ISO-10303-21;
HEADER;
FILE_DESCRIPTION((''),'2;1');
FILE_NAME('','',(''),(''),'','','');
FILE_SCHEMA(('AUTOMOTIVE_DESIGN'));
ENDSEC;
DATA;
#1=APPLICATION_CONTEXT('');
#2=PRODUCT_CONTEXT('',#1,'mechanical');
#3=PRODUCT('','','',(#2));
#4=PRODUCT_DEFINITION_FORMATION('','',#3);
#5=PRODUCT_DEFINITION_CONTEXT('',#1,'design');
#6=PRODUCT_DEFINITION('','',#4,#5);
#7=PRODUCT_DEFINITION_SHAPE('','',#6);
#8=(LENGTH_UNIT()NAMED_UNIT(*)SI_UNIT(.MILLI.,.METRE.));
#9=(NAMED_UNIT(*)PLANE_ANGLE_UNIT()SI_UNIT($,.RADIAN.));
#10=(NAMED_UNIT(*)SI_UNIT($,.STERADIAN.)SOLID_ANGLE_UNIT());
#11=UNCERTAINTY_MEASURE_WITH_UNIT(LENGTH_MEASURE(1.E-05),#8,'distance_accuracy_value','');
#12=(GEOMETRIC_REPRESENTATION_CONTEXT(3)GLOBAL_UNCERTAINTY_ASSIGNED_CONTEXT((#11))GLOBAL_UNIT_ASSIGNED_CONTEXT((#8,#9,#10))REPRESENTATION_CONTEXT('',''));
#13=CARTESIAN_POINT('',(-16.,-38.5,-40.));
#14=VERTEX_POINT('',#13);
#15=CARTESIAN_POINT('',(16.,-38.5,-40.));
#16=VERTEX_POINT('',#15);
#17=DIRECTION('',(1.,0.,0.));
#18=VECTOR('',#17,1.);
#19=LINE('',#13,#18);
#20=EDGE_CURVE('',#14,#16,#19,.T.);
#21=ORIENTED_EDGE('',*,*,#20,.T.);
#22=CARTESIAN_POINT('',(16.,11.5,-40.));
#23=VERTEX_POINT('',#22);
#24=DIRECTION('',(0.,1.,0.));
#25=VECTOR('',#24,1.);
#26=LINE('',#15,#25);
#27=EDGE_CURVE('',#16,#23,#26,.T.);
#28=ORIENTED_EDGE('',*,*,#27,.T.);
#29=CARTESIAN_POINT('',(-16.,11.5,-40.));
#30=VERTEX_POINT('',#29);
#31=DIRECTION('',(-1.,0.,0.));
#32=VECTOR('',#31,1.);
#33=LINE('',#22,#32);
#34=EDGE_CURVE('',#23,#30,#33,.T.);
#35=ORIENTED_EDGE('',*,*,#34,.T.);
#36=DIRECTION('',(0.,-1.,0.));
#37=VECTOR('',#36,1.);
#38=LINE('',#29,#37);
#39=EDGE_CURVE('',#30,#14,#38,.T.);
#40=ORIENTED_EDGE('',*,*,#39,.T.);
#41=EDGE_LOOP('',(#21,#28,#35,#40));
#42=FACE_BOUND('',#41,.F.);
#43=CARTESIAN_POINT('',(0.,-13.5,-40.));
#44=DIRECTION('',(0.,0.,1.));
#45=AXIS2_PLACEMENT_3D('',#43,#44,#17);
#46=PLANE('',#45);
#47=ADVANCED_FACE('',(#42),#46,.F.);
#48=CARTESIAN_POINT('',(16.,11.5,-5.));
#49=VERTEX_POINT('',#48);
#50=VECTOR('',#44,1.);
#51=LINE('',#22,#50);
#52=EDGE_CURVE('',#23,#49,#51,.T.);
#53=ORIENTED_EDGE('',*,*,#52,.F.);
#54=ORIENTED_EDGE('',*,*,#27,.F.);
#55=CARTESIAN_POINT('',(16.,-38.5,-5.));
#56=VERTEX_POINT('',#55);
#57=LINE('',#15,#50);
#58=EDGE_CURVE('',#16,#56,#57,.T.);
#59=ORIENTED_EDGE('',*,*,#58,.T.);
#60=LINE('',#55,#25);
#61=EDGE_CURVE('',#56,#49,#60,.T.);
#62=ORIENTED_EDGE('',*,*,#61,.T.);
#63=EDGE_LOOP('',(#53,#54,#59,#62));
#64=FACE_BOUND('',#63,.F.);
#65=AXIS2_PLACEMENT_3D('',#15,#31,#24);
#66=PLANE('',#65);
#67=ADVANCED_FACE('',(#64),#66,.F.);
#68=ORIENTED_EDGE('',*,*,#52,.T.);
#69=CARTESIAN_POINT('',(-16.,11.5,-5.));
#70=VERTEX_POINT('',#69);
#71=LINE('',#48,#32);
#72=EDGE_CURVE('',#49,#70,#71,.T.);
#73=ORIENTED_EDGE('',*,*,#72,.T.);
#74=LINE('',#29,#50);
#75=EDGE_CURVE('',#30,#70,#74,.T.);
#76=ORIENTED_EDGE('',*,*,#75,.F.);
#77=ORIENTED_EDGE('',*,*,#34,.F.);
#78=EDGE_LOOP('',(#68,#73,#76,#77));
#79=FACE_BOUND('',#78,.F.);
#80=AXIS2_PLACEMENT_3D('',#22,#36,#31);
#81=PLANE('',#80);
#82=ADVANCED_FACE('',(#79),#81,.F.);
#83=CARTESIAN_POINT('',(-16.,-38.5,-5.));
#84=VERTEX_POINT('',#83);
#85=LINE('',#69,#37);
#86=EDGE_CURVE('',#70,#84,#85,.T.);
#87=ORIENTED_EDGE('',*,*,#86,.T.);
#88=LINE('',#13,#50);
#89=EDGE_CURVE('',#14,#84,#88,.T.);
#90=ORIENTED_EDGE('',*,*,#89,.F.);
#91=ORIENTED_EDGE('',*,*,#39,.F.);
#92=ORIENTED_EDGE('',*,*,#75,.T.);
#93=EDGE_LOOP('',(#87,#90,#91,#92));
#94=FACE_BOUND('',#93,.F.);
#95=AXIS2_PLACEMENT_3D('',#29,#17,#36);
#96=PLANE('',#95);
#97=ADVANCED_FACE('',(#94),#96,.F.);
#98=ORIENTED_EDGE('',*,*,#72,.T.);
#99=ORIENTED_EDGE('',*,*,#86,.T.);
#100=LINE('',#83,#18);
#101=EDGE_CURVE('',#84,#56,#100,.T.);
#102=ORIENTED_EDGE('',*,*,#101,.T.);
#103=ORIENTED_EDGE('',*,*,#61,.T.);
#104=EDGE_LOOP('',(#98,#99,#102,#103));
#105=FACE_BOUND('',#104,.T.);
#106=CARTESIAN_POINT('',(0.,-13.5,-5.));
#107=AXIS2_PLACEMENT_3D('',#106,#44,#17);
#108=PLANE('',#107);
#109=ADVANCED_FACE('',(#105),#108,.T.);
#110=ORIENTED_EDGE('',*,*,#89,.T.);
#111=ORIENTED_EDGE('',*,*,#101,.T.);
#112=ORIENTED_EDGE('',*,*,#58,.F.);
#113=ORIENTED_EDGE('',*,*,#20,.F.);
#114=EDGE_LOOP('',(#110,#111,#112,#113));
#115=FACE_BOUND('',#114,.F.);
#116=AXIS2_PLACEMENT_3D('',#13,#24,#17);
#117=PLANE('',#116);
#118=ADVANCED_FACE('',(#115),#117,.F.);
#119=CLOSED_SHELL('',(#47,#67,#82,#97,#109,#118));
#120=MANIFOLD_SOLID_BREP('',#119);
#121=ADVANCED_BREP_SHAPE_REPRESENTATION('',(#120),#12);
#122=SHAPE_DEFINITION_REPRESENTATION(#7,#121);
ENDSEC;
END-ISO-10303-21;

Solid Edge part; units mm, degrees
sketch "Sketch1" plane through (0, 0, -40) normal (0, 0, 1) x (1, 0, 0)
  line L0 (-16, -38.5) -> (16, -38.5)
  line L1 (16, -38.5) -> (16, 11.5)
  line L2 (16, 11.5) -> (-16, 11.5)
  line L3 (-16, 11.5) -> (-16, -38.5)
extrude "ExtrudedProtrusion_1" add sketch "Sketch1" along normal blind 35
